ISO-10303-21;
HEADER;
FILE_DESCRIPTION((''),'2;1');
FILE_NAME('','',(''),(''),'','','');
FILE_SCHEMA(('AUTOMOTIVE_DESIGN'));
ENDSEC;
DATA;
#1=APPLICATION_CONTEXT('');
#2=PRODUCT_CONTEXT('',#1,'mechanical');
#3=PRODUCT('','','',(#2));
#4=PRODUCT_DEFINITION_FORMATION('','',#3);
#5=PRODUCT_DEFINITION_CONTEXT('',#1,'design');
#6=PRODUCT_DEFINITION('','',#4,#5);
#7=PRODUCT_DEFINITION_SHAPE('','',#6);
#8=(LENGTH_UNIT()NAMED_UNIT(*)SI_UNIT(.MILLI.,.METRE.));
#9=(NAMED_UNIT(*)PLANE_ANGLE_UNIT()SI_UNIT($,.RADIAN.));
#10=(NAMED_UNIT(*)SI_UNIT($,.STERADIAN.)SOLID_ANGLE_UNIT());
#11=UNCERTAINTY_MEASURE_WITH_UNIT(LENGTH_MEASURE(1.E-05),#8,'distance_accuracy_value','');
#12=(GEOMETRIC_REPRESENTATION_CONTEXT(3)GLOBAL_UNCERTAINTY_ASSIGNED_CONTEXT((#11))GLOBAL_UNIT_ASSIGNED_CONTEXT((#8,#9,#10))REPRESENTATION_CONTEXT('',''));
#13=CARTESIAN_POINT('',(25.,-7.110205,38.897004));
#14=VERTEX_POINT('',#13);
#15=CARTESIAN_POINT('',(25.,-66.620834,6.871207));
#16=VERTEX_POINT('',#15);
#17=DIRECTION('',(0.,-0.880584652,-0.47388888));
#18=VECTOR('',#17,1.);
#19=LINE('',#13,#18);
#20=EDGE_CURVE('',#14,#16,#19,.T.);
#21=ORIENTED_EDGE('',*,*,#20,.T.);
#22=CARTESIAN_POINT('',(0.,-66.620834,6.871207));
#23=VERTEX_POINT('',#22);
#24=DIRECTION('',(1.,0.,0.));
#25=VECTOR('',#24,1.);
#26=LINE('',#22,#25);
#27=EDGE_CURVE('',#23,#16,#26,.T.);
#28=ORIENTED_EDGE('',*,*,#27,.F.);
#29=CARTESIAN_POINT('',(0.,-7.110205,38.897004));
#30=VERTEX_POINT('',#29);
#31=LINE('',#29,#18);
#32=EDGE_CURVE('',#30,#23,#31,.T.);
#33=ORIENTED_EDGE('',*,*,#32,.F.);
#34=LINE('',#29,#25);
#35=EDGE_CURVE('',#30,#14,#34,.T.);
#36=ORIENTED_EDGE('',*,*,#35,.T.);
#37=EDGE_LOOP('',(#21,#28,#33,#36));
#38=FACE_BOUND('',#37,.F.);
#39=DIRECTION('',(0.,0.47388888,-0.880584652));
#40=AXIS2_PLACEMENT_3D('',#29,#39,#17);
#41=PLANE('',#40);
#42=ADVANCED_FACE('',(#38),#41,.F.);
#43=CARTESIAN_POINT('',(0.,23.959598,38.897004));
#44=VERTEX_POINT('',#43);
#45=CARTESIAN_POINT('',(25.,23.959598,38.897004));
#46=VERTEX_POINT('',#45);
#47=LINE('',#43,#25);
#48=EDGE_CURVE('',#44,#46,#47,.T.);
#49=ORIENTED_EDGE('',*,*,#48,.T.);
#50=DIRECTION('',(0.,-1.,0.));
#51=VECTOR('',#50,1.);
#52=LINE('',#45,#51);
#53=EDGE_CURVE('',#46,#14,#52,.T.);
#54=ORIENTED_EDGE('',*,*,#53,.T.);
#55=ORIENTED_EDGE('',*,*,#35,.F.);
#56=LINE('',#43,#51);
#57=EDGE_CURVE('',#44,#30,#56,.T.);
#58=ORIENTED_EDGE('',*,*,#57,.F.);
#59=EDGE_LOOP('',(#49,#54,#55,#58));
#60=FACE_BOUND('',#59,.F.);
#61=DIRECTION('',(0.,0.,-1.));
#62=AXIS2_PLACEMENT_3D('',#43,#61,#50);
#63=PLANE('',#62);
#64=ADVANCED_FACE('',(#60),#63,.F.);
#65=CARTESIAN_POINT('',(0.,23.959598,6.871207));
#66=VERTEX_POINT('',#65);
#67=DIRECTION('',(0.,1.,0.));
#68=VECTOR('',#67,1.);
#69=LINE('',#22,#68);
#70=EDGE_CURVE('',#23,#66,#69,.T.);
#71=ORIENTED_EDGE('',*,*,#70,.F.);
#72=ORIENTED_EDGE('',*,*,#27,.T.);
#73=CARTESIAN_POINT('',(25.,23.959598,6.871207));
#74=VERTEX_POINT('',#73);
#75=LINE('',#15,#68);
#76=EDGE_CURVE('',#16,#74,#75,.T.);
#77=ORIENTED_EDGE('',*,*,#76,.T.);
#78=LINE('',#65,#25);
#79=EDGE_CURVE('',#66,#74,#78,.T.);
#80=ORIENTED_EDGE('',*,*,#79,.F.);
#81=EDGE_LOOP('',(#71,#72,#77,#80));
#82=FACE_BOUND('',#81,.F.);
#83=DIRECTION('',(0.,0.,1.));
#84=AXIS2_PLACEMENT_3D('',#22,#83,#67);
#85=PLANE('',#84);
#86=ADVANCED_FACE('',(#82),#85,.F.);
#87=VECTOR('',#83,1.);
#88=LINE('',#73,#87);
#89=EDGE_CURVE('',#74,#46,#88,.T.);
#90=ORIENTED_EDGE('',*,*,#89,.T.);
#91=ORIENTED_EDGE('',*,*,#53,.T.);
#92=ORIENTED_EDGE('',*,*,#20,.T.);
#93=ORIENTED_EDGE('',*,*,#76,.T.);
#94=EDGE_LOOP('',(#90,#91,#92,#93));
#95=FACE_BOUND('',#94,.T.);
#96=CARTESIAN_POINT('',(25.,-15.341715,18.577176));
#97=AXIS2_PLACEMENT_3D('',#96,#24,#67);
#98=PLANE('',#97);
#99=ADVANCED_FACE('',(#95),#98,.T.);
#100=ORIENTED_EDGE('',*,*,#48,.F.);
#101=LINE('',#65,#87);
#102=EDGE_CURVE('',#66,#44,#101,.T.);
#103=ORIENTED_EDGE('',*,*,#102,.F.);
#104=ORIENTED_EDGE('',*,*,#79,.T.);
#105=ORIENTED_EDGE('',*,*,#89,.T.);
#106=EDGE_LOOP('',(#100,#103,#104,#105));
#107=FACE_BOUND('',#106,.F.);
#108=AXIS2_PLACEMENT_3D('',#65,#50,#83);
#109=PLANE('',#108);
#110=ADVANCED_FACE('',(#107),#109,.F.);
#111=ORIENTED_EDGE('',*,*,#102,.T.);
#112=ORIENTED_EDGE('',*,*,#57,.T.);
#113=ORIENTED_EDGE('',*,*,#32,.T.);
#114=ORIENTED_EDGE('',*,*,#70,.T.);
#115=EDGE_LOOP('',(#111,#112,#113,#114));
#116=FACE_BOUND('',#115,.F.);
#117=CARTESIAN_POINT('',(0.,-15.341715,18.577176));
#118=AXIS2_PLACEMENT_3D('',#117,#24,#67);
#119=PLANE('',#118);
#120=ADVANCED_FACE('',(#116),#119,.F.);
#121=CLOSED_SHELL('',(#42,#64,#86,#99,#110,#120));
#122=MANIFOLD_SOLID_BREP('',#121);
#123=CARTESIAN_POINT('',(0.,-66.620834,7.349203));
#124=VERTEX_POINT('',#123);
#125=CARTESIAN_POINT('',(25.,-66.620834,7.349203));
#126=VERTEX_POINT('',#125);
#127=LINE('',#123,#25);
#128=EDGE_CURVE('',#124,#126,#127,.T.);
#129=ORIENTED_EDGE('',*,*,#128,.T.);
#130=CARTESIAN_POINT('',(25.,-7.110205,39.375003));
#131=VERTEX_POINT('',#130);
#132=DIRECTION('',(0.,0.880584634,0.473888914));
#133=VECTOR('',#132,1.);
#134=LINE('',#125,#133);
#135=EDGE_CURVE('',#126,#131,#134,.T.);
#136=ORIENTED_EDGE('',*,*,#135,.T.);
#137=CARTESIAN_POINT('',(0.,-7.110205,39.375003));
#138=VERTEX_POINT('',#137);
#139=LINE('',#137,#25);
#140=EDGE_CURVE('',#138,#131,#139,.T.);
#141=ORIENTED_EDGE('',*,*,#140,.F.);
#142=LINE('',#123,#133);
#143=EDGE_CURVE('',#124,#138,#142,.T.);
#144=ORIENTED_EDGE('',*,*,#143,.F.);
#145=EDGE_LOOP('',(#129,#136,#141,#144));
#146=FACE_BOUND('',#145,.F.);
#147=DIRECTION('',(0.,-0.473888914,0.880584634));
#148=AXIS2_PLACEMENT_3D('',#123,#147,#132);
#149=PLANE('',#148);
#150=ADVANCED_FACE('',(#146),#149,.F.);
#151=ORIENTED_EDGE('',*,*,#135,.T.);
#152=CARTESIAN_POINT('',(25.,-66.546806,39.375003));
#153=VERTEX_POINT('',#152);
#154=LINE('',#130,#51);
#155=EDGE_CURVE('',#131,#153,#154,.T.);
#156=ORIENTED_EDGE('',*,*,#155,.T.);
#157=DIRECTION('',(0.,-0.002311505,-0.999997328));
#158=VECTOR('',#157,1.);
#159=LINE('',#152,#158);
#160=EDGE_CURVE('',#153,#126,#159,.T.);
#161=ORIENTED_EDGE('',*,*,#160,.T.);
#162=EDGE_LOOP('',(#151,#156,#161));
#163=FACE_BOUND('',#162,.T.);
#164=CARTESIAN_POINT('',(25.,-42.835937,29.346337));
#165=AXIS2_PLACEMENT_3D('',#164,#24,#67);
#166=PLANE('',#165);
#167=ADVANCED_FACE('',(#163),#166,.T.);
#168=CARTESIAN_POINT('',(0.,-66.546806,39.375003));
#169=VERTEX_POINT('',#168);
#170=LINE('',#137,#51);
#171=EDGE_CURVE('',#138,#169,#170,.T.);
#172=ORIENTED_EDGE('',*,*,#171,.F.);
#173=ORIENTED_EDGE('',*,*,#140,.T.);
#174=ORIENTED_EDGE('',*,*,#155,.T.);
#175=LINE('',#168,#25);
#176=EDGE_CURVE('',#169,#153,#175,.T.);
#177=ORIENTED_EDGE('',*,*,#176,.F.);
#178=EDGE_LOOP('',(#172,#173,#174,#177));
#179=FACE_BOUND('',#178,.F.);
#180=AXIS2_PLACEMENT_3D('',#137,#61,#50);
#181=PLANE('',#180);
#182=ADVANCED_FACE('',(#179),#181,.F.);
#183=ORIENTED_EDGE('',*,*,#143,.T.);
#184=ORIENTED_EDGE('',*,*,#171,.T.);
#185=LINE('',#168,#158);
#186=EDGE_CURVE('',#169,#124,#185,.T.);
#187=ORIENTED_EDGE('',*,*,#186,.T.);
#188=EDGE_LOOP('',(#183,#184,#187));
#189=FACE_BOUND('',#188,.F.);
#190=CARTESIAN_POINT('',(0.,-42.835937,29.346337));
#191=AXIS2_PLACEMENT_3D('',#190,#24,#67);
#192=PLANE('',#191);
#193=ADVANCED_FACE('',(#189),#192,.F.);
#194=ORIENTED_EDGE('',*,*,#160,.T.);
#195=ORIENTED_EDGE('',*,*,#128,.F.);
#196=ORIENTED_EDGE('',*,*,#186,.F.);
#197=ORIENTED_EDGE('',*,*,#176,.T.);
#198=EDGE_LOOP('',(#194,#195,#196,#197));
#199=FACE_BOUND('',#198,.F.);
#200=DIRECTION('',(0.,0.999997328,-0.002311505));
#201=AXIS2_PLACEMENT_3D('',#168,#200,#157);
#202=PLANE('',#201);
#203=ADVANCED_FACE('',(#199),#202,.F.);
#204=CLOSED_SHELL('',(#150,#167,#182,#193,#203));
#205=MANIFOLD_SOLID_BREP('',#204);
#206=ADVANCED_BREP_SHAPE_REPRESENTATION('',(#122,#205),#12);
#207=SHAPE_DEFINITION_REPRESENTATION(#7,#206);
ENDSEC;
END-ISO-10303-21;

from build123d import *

# Parameters (mm, degrees)
F1_DEPTH = 25
F3_DEPTH = 25


with BuildPart() as f1:
    # F0 (on Right) → F1 (new body)
    with BuildSketch(Plane.YZ):
        Polygon((-7.110205, 39.375003), (-66.546806, 39.375003), (-66.620834, 7.349203), align=None)
    extrude(amount=F1_DEPTH)


with BuildPart() as f3:
    # F2 (on Right) → F3 (new body)
    with BuildSketch(Plane.YZ):
        Polygon((-7.110205, 38.897004), (-66.620834, 6.871207), (23.959598, 6.871207), (23.959598, 38.897004), align=None)
    extrude(amount=F3_DEPTH)


solid = Compound([f1.part, f3.part])
